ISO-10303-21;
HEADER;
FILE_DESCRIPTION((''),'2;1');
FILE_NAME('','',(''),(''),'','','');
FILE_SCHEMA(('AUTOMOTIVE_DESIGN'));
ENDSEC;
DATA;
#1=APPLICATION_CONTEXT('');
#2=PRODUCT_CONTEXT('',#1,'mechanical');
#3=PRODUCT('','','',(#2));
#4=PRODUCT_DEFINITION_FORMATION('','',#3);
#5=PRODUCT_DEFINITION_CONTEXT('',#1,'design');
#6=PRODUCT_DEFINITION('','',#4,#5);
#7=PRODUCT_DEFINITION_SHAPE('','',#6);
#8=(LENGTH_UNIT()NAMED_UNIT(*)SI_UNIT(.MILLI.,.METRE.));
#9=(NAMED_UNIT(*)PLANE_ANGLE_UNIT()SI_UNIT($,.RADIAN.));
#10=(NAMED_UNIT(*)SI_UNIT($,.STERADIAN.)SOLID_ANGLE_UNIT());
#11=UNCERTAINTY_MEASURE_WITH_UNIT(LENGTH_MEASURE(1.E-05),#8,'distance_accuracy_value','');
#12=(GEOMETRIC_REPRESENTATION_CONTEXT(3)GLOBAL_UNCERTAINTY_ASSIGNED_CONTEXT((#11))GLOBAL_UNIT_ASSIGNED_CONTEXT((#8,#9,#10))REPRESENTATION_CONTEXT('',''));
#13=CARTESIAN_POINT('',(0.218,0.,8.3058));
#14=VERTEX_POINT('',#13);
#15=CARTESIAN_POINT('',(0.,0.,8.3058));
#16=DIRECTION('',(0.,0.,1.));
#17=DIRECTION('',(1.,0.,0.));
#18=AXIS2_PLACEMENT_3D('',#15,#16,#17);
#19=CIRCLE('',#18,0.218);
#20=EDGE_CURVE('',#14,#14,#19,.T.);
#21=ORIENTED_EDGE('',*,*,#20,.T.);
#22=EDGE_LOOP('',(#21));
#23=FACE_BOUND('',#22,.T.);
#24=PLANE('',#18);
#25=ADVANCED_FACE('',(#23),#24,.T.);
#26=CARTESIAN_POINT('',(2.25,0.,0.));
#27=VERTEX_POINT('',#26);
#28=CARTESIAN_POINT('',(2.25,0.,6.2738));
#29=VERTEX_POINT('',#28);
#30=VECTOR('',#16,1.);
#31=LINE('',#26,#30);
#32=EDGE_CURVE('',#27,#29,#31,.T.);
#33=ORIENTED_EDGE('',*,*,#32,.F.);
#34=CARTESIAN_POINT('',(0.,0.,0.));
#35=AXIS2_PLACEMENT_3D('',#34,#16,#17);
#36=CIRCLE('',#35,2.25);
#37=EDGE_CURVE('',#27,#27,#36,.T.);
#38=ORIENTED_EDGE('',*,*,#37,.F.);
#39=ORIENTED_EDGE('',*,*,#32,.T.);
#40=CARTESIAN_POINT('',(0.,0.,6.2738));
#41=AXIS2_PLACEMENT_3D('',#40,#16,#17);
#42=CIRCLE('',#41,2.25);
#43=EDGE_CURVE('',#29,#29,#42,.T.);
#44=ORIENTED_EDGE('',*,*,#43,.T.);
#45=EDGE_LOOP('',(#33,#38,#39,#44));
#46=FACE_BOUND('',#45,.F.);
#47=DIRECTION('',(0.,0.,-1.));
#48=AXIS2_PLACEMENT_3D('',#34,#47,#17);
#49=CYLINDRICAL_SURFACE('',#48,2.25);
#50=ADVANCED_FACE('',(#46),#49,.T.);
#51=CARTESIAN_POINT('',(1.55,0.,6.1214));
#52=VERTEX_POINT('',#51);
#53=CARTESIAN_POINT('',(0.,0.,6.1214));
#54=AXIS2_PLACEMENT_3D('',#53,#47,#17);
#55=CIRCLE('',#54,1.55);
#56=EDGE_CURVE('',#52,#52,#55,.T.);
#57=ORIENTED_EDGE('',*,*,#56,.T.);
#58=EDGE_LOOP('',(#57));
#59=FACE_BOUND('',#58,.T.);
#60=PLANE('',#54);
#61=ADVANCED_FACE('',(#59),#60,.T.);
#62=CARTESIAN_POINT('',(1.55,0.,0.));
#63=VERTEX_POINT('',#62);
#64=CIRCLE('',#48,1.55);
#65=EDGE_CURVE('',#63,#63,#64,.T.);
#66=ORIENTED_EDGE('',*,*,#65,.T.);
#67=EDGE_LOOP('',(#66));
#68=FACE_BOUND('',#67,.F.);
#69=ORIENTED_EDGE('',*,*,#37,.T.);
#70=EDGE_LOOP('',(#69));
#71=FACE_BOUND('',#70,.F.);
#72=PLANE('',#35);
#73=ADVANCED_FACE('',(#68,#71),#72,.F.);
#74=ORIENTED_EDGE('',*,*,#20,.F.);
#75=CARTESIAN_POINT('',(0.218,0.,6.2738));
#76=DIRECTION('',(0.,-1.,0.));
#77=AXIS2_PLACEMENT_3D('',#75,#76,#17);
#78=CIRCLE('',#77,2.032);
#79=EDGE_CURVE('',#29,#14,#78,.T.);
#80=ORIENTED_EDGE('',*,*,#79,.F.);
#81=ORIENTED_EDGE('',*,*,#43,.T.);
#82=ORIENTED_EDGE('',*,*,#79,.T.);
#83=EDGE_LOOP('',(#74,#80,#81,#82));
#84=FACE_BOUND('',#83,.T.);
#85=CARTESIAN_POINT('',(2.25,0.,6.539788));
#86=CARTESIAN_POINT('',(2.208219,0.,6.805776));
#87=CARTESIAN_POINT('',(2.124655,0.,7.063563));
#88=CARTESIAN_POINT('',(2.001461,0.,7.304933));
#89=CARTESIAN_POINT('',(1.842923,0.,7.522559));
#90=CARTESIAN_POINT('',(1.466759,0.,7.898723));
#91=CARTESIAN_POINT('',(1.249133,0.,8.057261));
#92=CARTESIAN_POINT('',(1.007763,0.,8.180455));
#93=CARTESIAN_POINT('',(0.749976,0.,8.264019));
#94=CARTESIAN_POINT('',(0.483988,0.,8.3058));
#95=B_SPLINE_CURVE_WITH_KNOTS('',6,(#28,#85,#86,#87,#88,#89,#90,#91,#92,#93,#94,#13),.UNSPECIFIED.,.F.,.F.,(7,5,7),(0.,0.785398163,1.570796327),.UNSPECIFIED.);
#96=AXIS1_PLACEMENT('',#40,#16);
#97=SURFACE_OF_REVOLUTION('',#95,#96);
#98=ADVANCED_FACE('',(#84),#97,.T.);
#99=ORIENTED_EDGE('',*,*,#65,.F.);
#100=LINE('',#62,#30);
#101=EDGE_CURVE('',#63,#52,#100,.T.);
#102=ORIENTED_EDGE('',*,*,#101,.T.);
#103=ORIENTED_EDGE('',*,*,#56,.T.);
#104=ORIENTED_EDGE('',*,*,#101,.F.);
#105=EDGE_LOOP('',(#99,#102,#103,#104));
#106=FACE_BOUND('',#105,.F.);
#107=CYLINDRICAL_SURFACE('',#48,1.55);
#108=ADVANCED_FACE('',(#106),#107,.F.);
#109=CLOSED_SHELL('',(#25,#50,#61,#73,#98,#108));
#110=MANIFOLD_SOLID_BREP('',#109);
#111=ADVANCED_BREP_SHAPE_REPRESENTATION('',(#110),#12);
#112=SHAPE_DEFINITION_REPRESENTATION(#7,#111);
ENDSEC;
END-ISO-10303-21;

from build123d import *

# Parameters (mm, degrees)
F0_R     = 2.25
F1_DEPTH = 8.3058
F2_R     = 2.032
F3_R     = 1.55
F4_DEPTH = 6.1214


with BuildPart() as f1:
    # F0 (on Top) → F1 (new body)
    with BuildSketch(Plane.XY):
        Circle(F0_R)
    extrude(amount=F1_DEPTH)

    # F2
    f2_edges = [f1.edges().sort_by_distance(p)[0] for p in [
        (-2.25, 0, 8.3058),
    ]]
    fillet(f2_edges, radius=F2_R)

    # F3 (on face) → F4 (cut)
    with BuildSketch(Plane(origin=(0, 0, 0), x_dir=(1, 0, 0), z_dir=(0, 0, -1))):
        Circle(F3_R)
    extrude(amount=-F4_DEPTH, mode=Mode.SUBTRACT)


solid = f1.part
